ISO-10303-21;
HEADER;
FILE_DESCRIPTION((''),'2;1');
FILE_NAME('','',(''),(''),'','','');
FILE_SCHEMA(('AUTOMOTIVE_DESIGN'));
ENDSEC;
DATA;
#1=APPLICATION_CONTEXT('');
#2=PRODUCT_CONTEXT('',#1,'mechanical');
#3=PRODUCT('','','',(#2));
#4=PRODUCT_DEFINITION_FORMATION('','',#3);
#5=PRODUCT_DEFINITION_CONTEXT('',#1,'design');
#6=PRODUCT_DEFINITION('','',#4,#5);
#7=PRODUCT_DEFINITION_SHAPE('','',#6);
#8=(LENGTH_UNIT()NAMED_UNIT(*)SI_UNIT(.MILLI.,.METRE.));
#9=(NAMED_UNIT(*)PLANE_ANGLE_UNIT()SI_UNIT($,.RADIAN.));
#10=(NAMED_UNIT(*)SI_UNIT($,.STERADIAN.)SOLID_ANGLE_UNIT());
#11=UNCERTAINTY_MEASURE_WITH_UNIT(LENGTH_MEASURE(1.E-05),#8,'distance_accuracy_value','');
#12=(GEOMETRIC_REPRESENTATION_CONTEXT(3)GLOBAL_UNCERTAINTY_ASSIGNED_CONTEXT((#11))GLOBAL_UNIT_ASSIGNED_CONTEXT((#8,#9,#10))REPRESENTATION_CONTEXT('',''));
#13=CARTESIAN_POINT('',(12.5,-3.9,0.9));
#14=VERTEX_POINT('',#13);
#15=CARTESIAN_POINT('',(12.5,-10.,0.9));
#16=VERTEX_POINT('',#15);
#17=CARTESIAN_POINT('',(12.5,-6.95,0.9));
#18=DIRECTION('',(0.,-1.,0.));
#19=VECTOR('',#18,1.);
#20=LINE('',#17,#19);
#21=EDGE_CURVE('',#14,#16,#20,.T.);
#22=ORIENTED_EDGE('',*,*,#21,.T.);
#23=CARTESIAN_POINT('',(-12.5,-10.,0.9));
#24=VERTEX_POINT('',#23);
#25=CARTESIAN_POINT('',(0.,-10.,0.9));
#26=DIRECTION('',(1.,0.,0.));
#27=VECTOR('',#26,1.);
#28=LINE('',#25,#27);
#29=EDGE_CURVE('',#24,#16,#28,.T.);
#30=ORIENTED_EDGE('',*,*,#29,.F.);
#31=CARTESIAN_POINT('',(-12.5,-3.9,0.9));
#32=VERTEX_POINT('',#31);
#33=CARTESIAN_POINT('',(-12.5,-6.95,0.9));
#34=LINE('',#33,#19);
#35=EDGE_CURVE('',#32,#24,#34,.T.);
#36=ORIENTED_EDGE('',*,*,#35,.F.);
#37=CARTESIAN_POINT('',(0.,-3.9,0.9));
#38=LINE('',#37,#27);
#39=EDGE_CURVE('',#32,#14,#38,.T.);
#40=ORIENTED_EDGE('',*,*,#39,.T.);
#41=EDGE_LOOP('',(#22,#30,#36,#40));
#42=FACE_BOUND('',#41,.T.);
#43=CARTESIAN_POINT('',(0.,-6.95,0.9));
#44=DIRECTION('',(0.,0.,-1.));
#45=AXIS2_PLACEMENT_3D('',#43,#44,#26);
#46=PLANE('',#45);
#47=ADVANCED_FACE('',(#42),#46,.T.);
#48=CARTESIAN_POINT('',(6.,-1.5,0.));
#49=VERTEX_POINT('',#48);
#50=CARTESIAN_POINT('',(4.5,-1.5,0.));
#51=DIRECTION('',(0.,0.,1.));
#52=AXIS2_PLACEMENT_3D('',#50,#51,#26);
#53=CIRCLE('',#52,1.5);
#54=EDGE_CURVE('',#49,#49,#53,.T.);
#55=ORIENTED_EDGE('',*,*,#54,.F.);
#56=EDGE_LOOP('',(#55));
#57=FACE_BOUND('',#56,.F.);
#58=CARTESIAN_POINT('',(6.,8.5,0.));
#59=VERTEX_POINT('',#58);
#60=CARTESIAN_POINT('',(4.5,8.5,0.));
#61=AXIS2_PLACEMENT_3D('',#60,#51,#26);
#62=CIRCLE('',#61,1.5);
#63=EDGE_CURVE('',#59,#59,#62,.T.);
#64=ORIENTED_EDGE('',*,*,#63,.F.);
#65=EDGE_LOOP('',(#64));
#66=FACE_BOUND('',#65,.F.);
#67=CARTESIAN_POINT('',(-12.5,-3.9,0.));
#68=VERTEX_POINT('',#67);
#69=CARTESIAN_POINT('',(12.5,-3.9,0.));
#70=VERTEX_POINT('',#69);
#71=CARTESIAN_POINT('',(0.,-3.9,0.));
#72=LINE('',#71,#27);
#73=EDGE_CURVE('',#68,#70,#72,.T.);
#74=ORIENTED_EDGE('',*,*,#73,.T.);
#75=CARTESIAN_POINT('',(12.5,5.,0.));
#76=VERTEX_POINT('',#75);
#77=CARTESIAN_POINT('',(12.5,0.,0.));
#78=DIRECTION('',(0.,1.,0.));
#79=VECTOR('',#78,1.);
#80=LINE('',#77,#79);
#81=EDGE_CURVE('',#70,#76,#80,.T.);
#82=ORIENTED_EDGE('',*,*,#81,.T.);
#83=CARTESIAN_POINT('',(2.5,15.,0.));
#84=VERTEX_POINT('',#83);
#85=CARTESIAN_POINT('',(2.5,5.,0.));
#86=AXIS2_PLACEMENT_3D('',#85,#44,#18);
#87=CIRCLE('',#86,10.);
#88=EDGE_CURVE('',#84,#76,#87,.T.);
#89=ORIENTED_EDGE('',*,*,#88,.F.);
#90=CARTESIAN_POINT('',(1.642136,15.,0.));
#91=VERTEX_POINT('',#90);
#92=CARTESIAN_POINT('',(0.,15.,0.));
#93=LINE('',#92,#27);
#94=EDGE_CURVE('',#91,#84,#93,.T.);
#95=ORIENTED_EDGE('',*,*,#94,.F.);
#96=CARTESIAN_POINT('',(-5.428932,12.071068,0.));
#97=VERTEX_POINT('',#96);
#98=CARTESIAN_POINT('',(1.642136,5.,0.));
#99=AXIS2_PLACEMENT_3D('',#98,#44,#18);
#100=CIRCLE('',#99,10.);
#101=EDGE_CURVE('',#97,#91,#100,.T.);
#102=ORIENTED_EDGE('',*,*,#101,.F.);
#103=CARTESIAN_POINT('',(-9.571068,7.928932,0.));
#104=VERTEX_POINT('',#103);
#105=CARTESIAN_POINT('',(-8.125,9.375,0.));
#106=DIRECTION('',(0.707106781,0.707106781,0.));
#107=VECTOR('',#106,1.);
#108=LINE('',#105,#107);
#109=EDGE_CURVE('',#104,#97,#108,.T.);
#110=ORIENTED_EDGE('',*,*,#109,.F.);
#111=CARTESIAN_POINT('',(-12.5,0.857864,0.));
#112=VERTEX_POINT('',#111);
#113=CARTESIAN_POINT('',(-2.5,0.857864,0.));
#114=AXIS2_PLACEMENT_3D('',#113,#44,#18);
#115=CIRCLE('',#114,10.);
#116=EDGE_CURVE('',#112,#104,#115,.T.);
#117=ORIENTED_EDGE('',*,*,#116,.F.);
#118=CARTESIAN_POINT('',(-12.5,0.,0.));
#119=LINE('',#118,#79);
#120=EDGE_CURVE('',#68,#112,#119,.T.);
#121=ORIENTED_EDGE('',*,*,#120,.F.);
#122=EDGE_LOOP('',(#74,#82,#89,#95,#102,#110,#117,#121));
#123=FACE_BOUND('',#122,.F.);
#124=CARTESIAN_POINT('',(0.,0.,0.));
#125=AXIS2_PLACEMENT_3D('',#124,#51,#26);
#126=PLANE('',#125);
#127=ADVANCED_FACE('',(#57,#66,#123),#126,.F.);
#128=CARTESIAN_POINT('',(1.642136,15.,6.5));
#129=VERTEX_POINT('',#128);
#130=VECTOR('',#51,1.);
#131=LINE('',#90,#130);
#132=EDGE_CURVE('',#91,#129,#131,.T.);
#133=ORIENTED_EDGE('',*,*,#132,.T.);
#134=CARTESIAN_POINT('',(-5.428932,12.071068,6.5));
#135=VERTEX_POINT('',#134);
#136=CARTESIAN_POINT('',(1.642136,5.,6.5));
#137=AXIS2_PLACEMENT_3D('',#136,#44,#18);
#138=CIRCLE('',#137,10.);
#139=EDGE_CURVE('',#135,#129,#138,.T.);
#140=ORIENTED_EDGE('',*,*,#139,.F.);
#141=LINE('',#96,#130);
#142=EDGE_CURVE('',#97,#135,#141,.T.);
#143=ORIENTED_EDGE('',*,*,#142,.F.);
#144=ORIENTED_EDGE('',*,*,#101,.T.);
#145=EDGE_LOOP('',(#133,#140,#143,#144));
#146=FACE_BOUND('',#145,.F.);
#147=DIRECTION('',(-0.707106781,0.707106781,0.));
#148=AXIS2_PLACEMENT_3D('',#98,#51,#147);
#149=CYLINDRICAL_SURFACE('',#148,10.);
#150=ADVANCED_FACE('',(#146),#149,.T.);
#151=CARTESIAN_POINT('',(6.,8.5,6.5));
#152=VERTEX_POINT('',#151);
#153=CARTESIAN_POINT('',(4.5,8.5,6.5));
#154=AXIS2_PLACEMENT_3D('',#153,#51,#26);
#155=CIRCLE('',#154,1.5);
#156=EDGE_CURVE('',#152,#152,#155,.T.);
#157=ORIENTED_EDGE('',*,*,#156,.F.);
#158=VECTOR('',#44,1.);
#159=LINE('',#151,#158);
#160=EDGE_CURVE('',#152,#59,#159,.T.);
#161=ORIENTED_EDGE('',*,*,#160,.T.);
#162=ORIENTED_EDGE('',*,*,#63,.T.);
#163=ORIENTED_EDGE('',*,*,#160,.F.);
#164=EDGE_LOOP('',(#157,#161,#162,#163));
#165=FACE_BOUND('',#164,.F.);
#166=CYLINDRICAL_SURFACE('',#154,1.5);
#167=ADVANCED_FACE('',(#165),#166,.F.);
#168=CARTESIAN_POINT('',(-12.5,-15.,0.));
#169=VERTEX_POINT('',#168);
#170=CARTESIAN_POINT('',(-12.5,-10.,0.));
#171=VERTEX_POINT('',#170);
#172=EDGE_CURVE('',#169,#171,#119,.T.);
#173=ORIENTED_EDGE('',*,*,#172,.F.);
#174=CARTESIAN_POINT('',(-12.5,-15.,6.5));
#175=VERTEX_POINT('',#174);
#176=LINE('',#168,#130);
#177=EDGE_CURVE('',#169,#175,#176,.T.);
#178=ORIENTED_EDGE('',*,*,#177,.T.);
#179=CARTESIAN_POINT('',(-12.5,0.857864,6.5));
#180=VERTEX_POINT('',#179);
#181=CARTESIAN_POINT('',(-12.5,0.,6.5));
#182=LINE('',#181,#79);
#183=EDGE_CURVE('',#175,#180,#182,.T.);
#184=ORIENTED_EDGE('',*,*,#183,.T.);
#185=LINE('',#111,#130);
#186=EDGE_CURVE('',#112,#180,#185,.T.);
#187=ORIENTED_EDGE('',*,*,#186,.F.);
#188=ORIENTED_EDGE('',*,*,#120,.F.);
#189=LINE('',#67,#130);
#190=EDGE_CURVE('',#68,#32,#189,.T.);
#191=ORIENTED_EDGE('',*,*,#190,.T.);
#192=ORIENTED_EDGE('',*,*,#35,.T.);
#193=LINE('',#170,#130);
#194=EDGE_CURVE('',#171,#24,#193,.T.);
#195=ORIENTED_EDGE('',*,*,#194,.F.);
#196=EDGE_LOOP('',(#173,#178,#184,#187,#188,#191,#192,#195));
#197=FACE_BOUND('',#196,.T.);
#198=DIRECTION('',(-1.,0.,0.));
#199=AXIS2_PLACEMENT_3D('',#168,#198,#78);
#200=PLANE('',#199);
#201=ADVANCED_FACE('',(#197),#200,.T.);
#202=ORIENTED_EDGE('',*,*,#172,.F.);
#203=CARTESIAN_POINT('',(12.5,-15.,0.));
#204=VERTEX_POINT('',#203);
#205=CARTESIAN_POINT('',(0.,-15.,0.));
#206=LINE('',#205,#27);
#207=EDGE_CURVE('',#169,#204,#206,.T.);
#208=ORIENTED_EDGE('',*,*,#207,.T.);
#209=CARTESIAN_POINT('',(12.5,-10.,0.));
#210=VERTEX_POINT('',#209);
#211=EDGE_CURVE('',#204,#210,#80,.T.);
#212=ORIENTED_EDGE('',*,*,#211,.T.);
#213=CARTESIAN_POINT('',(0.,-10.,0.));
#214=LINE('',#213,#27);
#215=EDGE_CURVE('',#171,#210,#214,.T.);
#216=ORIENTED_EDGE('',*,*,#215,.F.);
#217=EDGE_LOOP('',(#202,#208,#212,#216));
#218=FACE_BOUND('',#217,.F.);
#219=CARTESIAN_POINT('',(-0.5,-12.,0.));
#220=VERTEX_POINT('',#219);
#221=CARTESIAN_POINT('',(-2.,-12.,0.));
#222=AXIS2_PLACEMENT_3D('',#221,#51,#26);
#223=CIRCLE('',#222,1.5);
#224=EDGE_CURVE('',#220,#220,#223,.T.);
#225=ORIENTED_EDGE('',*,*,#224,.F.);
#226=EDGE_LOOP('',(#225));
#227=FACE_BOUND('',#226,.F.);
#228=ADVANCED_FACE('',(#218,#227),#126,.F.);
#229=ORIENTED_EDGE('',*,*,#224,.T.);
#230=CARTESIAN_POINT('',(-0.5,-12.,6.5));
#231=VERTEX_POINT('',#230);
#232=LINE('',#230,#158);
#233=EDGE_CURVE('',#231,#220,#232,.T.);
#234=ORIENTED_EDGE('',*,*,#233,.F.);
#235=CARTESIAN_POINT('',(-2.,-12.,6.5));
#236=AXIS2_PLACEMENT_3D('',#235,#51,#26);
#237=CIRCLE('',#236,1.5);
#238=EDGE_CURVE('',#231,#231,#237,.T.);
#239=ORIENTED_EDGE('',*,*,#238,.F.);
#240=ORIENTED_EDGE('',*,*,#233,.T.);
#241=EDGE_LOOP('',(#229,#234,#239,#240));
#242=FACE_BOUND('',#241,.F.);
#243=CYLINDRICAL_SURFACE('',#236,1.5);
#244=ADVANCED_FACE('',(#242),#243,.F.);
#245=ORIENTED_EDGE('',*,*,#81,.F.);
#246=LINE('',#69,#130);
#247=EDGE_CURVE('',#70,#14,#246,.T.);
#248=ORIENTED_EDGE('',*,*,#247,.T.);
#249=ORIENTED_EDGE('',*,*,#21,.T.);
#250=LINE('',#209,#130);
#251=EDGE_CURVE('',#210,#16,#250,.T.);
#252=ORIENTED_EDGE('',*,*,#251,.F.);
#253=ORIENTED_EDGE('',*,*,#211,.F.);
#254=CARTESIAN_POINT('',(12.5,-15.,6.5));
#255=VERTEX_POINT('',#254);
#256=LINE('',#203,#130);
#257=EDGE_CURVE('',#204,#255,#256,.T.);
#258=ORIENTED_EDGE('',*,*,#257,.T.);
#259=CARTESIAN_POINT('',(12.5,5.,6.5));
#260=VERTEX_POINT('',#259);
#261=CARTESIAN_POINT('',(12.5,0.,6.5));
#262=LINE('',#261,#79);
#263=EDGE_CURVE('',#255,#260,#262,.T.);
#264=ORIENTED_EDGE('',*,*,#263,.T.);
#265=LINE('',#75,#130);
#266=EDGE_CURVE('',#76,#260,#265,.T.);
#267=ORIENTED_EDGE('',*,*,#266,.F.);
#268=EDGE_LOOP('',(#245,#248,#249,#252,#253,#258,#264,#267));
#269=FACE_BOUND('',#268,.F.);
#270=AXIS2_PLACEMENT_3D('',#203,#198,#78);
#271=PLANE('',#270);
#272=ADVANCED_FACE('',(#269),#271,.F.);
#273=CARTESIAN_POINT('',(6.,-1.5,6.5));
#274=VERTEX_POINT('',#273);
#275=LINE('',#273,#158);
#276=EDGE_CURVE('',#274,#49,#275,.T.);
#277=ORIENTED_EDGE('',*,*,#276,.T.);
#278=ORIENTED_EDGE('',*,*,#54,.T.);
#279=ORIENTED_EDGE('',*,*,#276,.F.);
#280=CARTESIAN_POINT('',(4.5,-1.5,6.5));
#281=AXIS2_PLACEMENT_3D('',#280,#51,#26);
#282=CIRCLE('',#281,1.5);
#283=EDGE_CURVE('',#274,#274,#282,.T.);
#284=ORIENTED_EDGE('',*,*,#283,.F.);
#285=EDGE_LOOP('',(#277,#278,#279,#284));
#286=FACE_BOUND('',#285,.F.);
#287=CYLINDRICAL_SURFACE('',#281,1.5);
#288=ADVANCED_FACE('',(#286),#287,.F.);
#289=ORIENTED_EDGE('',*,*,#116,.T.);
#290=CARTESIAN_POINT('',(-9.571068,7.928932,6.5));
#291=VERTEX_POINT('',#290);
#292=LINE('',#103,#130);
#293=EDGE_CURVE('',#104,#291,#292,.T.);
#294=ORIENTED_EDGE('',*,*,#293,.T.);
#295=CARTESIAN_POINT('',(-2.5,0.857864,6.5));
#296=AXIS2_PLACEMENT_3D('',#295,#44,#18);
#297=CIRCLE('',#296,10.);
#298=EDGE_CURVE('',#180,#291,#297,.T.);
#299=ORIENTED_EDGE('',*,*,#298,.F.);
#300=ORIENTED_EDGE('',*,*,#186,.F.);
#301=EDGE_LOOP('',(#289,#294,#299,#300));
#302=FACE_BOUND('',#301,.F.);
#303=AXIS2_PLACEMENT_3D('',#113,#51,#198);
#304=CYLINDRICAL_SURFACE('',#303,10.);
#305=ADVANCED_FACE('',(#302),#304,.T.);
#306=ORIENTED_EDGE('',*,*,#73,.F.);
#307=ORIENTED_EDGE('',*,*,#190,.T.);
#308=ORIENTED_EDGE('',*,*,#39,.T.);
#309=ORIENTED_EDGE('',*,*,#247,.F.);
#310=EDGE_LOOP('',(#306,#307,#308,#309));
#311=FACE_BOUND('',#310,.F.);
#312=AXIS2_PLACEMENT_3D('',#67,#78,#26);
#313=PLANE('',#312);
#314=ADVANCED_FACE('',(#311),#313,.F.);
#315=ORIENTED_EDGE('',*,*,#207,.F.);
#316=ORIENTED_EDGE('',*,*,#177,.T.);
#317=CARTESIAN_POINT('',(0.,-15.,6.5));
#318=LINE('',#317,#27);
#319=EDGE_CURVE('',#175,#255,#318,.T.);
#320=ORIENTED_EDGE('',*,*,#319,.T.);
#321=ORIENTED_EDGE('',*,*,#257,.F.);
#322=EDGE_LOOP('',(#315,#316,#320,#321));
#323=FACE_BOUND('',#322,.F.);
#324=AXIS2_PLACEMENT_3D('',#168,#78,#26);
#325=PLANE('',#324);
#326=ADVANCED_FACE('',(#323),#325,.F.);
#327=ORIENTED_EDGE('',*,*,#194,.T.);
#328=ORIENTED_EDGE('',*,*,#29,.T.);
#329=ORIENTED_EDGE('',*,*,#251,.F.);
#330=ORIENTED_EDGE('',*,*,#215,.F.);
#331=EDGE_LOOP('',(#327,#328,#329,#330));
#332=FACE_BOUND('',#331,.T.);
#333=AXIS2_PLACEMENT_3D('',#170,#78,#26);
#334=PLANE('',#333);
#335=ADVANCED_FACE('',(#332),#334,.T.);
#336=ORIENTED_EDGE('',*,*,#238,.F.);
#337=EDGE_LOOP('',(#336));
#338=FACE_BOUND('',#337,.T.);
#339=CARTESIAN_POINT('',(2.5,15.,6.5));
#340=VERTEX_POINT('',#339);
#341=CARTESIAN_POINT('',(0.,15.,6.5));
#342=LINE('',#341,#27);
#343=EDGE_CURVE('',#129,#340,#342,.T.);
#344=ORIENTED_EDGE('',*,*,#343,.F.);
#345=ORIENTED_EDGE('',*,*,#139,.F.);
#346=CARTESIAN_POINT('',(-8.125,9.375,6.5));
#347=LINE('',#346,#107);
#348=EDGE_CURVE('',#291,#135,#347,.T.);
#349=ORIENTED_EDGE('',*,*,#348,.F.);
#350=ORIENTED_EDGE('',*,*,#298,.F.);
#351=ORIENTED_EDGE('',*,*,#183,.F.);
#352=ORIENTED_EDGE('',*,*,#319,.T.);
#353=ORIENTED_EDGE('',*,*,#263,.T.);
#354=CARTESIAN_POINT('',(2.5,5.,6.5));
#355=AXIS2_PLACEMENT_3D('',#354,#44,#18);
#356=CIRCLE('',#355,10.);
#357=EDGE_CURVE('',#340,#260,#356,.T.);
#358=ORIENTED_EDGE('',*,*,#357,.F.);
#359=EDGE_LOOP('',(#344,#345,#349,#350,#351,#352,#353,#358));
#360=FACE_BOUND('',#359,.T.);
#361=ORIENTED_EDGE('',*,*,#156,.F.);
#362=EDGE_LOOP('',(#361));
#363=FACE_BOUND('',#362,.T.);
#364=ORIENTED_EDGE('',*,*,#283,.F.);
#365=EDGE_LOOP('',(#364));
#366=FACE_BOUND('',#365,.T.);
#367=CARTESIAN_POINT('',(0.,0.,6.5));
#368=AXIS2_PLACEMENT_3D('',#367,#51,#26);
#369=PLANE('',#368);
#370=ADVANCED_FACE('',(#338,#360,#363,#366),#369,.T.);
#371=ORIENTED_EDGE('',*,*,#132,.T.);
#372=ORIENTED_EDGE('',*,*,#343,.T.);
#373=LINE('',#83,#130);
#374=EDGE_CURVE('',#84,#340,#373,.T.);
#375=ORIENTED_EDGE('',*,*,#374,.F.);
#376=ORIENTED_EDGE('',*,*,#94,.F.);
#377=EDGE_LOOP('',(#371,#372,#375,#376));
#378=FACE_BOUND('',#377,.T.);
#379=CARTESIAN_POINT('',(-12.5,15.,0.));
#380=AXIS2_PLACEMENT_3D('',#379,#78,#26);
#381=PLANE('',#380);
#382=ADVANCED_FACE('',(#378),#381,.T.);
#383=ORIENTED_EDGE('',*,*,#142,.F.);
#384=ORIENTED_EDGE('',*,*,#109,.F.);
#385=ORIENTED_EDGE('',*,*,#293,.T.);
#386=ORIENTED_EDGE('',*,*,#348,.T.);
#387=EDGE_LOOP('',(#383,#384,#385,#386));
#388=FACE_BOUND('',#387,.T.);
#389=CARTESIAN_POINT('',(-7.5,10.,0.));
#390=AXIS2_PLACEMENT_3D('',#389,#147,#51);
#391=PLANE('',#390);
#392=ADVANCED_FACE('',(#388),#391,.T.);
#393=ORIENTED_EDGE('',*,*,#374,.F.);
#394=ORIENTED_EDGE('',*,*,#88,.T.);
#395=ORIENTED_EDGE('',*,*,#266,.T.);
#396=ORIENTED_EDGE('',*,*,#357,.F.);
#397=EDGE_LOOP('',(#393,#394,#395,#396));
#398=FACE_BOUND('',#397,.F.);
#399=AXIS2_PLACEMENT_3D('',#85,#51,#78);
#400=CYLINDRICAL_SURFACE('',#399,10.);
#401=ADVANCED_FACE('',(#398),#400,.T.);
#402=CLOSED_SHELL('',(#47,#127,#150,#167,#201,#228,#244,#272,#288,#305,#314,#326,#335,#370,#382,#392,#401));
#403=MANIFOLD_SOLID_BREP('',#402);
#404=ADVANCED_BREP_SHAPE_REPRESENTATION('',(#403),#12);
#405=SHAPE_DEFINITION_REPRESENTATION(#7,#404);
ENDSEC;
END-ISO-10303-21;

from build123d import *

# Parameters (mm, degrees)
F0_W     = 25
F0_H     = 30
F1_DEPTH = 6.5
F2_R     = 1.5
F3_DEPTH = 6.501
F4_W     = 25
F4_H     = 6.1
F5_DEPTH = 0.9
F6_SIZE  = 10
F7_R     = 10


with BuildPart() as f1:
    # F0 (on Top) → F1 (new body)
    with BuildSketch(Plane.XY):
        Rectangle(F0_W, F0_H)
    extrude(amount=F1_DEPTH)

    # F2 (on face) → F3 (cut, through all)
    with BuildSketch(Plane.XY.offset(6.5)):
        with Locations((-2, -12)):
            Circle(F2_R)
        with Locations((4.5, -1.5)):
            Circle(F2_R)
        with Locations((4.5, 8.5)):
            Circle(F2_R)
    extrude(amount=-F3_DEPTH, mode=Mode.SUBTRACT)

    # F4 (on face) → F5 (cut)
    with BuildSketch(Plane(origin=(0, 0, 0), x_dir=(1, 0, 0), z_dir=(0, 0, -1))):
        with Locations((0, 6.95)):
            Rectangle(F4_W, F4_H)
    extrude(amount=-F5_DEPTH, mode=Mode.SUBTRACT)

    # F6
    f6_edges = [f1.edges().sort_by_distance(p)[0] for p in [
        (-12.5, 15, 3.25),
    ]]
    chamfer(f6_edges, length=F6_SIZE)

    # F7
    f7_edges = [f1.edges().sort_by_distance(p)[0] for p in [
        (-12.5, 5, 3.25),
        (-2.5, 15, 3.25),
        (12.5, 15, 3.25),
    ]]
    fillet(f7_edges, radius=F7_R)


solid = f1.part
